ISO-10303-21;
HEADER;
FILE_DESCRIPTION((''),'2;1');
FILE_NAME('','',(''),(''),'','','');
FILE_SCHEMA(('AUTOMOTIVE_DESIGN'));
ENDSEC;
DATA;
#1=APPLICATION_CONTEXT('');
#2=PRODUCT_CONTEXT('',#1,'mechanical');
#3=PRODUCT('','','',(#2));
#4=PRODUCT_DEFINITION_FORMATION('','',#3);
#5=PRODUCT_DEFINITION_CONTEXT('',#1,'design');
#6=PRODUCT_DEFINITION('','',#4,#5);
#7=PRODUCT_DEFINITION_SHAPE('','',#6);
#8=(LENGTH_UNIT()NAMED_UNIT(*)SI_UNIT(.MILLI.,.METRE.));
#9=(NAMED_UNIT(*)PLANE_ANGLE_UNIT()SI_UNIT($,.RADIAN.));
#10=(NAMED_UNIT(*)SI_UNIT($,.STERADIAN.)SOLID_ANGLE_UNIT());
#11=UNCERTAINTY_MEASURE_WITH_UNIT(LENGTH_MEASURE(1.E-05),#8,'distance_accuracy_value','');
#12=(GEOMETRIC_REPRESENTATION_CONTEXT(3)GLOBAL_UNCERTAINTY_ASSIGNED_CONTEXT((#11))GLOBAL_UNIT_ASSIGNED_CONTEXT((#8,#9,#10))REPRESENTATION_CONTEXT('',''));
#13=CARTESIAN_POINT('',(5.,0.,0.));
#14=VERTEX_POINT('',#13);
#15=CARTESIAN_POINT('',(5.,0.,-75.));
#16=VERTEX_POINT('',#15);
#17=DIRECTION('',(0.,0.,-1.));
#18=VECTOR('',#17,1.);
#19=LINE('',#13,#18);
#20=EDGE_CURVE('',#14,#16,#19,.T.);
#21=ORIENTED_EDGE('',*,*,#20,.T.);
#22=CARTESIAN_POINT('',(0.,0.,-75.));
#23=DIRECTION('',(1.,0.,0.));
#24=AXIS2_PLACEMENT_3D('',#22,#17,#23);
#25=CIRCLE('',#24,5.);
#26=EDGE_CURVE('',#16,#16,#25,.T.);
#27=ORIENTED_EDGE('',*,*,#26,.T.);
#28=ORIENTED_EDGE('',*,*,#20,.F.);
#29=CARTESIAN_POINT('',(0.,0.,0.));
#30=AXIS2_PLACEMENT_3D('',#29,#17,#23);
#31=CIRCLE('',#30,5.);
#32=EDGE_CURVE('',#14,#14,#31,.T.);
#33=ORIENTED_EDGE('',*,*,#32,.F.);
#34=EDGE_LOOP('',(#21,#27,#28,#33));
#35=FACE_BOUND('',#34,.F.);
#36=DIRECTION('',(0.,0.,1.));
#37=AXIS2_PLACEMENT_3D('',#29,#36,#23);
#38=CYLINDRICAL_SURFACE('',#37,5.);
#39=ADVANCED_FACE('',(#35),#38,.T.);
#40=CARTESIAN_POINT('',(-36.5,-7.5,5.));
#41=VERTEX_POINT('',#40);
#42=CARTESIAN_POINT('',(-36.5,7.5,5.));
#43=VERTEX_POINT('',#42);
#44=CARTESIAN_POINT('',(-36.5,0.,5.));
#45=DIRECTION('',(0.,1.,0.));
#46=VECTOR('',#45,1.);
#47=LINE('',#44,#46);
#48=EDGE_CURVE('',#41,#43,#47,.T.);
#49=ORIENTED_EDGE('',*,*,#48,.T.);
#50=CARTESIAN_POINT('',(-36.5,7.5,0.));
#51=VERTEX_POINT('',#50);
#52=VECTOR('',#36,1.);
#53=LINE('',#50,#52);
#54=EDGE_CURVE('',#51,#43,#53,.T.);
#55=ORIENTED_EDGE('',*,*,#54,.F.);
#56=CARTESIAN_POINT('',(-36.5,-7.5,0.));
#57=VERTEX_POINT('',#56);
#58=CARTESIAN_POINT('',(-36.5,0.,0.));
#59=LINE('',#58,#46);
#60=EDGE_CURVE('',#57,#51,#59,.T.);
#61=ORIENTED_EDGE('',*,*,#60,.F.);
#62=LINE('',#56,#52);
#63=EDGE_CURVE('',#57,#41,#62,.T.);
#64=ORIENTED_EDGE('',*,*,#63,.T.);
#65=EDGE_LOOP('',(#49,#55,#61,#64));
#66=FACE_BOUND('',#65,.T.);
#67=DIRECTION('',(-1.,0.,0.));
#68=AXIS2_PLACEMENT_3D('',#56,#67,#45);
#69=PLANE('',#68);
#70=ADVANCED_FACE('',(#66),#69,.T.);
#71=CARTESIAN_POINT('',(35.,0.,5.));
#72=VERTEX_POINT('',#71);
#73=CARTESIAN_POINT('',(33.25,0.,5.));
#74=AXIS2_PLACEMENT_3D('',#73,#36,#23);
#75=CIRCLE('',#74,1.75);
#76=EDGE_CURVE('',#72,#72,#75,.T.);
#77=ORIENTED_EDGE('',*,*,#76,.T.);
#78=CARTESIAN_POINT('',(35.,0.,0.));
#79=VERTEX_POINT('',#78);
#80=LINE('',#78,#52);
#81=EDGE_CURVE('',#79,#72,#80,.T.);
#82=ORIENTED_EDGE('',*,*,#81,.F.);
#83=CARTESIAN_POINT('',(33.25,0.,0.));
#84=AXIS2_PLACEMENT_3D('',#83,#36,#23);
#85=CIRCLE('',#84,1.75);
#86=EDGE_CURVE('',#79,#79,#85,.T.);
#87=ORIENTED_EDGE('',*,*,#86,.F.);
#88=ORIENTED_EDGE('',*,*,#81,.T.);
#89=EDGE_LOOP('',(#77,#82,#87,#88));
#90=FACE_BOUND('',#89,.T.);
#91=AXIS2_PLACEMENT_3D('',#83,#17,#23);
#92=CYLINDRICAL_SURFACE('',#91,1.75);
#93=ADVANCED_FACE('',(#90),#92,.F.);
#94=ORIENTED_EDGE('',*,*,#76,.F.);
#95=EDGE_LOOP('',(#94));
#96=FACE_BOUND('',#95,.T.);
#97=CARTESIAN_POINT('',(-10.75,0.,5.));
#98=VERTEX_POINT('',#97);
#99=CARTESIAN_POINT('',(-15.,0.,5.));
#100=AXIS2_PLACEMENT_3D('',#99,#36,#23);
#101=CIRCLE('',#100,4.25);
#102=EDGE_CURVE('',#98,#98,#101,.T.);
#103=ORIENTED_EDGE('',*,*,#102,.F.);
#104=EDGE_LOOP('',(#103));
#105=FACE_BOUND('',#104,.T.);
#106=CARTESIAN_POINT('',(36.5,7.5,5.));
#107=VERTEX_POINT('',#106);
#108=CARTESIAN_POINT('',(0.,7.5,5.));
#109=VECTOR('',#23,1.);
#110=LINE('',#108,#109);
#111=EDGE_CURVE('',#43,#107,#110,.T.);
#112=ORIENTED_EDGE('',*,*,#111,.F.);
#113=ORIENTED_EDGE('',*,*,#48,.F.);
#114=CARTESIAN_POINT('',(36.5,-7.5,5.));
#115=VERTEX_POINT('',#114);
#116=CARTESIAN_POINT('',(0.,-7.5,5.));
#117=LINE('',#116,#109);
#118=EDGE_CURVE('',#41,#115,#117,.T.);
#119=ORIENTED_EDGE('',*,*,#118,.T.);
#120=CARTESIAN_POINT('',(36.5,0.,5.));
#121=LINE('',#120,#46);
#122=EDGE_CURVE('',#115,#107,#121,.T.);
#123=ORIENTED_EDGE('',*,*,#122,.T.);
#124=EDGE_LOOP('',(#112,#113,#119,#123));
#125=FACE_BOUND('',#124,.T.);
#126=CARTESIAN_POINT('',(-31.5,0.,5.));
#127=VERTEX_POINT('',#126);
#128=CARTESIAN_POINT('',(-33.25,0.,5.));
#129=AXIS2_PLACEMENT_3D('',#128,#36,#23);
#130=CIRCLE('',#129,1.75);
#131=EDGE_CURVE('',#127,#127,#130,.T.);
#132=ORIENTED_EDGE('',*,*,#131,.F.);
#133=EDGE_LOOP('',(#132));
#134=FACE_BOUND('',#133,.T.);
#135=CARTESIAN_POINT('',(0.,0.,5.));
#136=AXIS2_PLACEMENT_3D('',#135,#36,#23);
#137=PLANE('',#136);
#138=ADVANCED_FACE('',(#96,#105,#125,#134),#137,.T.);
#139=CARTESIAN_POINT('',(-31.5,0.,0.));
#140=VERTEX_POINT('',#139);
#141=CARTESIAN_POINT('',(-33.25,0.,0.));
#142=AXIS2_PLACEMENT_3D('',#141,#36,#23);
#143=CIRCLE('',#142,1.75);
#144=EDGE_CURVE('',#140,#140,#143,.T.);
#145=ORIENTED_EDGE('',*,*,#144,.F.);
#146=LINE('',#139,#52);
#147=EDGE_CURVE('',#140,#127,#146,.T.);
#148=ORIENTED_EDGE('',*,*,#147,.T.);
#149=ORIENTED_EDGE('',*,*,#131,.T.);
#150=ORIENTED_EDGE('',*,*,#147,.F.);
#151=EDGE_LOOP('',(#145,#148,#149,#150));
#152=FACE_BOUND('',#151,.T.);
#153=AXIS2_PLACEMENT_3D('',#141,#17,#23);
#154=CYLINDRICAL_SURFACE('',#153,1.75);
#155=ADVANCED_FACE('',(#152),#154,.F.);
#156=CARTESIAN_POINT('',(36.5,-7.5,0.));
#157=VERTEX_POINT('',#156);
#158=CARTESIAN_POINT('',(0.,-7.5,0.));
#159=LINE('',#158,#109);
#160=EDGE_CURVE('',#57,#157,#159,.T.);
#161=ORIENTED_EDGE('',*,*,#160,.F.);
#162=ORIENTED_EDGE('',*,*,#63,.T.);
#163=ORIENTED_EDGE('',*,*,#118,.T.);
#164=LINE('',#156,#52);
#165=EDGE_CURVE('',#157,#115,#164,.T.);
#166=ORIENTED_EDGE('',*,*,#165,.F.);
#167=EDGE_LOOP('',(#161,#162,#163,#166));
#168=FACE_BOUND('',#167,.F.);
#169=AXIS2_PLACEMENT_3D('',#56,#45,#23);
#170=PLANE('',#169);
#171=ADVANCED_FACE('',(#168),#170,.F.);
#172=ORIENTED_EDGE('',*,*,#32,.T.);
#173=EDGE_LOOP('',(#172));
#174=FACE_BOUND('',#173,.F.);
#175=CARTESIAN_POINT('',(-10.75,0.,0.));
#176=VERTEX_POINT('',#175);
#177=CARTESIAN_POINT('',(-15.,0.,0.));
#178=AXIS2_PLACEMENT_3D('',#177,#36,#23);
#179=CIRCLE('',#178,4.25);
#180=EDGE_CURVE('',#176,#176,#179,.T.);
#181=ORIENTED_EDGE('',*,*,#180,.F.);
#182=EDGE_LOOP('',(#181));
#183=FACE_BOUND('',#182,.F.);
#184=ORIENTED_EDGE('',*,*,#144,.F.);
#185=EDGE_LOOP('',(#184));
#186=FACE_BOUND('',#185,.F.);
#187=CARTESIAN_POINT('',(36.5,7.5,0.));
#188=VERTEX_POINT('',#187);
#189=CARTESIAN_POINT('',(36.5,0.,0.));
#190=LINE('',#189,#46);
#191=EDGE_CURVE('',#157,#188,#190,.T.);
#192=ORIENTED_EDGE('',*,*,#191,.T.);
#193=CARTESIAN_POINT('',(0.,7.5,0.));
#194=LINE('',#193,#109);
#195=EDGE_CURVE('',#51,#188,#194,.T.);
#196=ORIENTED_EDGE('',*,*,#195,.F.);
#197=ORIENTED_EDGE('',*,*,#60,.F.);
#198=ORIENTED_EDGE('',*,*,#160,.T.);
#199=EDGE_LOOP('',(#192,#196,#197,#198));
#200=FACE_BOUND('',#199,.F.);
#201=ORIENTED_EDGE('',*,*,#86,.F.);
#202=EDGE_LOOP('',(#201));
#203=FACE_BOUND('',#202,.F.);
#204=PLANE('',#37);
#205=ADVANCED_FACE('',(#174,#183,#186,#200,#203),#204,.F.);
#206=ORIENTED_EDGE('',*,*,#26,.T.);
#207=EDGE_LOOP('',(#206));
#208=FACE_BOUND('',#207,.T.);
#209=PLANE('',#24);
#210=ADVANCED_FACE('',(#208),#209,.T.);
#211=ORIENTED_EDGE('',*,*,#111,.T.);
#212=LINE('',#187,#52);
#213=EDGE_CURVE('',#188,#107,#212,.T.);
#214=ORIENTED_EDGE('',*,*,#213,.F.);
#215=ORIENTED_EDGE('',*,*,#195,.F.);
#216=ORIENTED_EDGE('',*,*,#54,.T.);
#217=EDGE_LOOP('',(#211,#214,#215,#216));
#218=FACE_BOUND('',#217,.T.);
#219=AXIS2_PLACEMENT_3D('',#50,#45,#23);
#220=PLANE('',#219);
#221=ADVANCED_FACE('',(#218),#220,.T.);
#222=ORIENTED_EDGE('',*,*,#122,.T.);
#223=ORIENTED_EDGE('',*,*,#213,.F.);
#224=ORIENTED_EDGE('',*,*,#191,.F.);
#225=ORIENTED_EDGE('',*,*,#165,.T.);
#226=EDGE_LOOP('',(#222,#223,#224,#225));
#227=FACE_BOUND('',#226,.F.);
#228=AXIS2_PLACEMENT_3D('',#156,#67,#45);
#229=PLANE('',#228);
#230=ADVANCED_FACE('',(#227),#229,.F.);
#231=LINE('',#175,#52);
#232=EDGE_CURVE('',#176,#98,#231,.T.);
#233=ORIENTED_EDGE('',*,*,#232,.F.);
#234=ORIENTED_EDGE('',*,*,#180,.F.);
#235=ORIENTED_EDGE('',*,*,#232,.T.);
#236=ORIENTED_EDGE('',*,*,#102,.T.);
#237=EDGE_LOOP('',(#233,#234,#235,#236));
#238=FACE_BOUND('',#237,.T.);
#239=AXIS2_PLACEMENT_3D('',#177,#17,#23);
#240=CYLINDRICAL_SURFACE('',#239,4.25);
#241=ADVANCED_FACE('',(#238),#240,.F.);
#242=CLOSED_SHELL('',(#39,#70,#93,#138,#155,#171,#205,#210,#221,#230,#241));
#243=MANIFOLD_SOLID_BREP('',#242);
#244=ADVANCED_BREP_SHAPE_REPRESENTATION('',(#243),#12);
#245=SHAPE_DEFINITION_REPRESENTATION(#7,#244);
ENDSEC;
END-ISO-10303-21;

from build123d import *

# Parameters (mm, degrees)
F0_W     = 73
F0_H     = 15
F0_R     = 1.75
F0_R_2   = 4.25
F1_DEPTH = 5
F2_R     = 5
F3_DEPTH = 75


with BuildPart() as f1:
    # F0 (on Top) → F1 (new body)
    with BuildSketch(Plane.XY):
        Rectangle(F0_W, F0_H)
        with Locations((-33.25, 0)):
            Circle(F0_R, mode=Mode.SUBTRACT)
        with Locations((-15, 0)):
            Circle(F0_R_2, mode=Mode.SUBTRACT)
        with Locations((33.25, 0)):
            Circle(F0_R, mode=Mode.SUBTRACT)
    extrude(amount=F1_DEPTH)

    # F2 (on face) → F3 (join)
    with BuildSketch(Plane(origin=(0, 0, 0), x_dir=(1, 0, 0), z_dir=(0, 0, -1))):
        Circle(F2_R)
    extrude(amount=F3_DEPTH)


solid = f1.part
